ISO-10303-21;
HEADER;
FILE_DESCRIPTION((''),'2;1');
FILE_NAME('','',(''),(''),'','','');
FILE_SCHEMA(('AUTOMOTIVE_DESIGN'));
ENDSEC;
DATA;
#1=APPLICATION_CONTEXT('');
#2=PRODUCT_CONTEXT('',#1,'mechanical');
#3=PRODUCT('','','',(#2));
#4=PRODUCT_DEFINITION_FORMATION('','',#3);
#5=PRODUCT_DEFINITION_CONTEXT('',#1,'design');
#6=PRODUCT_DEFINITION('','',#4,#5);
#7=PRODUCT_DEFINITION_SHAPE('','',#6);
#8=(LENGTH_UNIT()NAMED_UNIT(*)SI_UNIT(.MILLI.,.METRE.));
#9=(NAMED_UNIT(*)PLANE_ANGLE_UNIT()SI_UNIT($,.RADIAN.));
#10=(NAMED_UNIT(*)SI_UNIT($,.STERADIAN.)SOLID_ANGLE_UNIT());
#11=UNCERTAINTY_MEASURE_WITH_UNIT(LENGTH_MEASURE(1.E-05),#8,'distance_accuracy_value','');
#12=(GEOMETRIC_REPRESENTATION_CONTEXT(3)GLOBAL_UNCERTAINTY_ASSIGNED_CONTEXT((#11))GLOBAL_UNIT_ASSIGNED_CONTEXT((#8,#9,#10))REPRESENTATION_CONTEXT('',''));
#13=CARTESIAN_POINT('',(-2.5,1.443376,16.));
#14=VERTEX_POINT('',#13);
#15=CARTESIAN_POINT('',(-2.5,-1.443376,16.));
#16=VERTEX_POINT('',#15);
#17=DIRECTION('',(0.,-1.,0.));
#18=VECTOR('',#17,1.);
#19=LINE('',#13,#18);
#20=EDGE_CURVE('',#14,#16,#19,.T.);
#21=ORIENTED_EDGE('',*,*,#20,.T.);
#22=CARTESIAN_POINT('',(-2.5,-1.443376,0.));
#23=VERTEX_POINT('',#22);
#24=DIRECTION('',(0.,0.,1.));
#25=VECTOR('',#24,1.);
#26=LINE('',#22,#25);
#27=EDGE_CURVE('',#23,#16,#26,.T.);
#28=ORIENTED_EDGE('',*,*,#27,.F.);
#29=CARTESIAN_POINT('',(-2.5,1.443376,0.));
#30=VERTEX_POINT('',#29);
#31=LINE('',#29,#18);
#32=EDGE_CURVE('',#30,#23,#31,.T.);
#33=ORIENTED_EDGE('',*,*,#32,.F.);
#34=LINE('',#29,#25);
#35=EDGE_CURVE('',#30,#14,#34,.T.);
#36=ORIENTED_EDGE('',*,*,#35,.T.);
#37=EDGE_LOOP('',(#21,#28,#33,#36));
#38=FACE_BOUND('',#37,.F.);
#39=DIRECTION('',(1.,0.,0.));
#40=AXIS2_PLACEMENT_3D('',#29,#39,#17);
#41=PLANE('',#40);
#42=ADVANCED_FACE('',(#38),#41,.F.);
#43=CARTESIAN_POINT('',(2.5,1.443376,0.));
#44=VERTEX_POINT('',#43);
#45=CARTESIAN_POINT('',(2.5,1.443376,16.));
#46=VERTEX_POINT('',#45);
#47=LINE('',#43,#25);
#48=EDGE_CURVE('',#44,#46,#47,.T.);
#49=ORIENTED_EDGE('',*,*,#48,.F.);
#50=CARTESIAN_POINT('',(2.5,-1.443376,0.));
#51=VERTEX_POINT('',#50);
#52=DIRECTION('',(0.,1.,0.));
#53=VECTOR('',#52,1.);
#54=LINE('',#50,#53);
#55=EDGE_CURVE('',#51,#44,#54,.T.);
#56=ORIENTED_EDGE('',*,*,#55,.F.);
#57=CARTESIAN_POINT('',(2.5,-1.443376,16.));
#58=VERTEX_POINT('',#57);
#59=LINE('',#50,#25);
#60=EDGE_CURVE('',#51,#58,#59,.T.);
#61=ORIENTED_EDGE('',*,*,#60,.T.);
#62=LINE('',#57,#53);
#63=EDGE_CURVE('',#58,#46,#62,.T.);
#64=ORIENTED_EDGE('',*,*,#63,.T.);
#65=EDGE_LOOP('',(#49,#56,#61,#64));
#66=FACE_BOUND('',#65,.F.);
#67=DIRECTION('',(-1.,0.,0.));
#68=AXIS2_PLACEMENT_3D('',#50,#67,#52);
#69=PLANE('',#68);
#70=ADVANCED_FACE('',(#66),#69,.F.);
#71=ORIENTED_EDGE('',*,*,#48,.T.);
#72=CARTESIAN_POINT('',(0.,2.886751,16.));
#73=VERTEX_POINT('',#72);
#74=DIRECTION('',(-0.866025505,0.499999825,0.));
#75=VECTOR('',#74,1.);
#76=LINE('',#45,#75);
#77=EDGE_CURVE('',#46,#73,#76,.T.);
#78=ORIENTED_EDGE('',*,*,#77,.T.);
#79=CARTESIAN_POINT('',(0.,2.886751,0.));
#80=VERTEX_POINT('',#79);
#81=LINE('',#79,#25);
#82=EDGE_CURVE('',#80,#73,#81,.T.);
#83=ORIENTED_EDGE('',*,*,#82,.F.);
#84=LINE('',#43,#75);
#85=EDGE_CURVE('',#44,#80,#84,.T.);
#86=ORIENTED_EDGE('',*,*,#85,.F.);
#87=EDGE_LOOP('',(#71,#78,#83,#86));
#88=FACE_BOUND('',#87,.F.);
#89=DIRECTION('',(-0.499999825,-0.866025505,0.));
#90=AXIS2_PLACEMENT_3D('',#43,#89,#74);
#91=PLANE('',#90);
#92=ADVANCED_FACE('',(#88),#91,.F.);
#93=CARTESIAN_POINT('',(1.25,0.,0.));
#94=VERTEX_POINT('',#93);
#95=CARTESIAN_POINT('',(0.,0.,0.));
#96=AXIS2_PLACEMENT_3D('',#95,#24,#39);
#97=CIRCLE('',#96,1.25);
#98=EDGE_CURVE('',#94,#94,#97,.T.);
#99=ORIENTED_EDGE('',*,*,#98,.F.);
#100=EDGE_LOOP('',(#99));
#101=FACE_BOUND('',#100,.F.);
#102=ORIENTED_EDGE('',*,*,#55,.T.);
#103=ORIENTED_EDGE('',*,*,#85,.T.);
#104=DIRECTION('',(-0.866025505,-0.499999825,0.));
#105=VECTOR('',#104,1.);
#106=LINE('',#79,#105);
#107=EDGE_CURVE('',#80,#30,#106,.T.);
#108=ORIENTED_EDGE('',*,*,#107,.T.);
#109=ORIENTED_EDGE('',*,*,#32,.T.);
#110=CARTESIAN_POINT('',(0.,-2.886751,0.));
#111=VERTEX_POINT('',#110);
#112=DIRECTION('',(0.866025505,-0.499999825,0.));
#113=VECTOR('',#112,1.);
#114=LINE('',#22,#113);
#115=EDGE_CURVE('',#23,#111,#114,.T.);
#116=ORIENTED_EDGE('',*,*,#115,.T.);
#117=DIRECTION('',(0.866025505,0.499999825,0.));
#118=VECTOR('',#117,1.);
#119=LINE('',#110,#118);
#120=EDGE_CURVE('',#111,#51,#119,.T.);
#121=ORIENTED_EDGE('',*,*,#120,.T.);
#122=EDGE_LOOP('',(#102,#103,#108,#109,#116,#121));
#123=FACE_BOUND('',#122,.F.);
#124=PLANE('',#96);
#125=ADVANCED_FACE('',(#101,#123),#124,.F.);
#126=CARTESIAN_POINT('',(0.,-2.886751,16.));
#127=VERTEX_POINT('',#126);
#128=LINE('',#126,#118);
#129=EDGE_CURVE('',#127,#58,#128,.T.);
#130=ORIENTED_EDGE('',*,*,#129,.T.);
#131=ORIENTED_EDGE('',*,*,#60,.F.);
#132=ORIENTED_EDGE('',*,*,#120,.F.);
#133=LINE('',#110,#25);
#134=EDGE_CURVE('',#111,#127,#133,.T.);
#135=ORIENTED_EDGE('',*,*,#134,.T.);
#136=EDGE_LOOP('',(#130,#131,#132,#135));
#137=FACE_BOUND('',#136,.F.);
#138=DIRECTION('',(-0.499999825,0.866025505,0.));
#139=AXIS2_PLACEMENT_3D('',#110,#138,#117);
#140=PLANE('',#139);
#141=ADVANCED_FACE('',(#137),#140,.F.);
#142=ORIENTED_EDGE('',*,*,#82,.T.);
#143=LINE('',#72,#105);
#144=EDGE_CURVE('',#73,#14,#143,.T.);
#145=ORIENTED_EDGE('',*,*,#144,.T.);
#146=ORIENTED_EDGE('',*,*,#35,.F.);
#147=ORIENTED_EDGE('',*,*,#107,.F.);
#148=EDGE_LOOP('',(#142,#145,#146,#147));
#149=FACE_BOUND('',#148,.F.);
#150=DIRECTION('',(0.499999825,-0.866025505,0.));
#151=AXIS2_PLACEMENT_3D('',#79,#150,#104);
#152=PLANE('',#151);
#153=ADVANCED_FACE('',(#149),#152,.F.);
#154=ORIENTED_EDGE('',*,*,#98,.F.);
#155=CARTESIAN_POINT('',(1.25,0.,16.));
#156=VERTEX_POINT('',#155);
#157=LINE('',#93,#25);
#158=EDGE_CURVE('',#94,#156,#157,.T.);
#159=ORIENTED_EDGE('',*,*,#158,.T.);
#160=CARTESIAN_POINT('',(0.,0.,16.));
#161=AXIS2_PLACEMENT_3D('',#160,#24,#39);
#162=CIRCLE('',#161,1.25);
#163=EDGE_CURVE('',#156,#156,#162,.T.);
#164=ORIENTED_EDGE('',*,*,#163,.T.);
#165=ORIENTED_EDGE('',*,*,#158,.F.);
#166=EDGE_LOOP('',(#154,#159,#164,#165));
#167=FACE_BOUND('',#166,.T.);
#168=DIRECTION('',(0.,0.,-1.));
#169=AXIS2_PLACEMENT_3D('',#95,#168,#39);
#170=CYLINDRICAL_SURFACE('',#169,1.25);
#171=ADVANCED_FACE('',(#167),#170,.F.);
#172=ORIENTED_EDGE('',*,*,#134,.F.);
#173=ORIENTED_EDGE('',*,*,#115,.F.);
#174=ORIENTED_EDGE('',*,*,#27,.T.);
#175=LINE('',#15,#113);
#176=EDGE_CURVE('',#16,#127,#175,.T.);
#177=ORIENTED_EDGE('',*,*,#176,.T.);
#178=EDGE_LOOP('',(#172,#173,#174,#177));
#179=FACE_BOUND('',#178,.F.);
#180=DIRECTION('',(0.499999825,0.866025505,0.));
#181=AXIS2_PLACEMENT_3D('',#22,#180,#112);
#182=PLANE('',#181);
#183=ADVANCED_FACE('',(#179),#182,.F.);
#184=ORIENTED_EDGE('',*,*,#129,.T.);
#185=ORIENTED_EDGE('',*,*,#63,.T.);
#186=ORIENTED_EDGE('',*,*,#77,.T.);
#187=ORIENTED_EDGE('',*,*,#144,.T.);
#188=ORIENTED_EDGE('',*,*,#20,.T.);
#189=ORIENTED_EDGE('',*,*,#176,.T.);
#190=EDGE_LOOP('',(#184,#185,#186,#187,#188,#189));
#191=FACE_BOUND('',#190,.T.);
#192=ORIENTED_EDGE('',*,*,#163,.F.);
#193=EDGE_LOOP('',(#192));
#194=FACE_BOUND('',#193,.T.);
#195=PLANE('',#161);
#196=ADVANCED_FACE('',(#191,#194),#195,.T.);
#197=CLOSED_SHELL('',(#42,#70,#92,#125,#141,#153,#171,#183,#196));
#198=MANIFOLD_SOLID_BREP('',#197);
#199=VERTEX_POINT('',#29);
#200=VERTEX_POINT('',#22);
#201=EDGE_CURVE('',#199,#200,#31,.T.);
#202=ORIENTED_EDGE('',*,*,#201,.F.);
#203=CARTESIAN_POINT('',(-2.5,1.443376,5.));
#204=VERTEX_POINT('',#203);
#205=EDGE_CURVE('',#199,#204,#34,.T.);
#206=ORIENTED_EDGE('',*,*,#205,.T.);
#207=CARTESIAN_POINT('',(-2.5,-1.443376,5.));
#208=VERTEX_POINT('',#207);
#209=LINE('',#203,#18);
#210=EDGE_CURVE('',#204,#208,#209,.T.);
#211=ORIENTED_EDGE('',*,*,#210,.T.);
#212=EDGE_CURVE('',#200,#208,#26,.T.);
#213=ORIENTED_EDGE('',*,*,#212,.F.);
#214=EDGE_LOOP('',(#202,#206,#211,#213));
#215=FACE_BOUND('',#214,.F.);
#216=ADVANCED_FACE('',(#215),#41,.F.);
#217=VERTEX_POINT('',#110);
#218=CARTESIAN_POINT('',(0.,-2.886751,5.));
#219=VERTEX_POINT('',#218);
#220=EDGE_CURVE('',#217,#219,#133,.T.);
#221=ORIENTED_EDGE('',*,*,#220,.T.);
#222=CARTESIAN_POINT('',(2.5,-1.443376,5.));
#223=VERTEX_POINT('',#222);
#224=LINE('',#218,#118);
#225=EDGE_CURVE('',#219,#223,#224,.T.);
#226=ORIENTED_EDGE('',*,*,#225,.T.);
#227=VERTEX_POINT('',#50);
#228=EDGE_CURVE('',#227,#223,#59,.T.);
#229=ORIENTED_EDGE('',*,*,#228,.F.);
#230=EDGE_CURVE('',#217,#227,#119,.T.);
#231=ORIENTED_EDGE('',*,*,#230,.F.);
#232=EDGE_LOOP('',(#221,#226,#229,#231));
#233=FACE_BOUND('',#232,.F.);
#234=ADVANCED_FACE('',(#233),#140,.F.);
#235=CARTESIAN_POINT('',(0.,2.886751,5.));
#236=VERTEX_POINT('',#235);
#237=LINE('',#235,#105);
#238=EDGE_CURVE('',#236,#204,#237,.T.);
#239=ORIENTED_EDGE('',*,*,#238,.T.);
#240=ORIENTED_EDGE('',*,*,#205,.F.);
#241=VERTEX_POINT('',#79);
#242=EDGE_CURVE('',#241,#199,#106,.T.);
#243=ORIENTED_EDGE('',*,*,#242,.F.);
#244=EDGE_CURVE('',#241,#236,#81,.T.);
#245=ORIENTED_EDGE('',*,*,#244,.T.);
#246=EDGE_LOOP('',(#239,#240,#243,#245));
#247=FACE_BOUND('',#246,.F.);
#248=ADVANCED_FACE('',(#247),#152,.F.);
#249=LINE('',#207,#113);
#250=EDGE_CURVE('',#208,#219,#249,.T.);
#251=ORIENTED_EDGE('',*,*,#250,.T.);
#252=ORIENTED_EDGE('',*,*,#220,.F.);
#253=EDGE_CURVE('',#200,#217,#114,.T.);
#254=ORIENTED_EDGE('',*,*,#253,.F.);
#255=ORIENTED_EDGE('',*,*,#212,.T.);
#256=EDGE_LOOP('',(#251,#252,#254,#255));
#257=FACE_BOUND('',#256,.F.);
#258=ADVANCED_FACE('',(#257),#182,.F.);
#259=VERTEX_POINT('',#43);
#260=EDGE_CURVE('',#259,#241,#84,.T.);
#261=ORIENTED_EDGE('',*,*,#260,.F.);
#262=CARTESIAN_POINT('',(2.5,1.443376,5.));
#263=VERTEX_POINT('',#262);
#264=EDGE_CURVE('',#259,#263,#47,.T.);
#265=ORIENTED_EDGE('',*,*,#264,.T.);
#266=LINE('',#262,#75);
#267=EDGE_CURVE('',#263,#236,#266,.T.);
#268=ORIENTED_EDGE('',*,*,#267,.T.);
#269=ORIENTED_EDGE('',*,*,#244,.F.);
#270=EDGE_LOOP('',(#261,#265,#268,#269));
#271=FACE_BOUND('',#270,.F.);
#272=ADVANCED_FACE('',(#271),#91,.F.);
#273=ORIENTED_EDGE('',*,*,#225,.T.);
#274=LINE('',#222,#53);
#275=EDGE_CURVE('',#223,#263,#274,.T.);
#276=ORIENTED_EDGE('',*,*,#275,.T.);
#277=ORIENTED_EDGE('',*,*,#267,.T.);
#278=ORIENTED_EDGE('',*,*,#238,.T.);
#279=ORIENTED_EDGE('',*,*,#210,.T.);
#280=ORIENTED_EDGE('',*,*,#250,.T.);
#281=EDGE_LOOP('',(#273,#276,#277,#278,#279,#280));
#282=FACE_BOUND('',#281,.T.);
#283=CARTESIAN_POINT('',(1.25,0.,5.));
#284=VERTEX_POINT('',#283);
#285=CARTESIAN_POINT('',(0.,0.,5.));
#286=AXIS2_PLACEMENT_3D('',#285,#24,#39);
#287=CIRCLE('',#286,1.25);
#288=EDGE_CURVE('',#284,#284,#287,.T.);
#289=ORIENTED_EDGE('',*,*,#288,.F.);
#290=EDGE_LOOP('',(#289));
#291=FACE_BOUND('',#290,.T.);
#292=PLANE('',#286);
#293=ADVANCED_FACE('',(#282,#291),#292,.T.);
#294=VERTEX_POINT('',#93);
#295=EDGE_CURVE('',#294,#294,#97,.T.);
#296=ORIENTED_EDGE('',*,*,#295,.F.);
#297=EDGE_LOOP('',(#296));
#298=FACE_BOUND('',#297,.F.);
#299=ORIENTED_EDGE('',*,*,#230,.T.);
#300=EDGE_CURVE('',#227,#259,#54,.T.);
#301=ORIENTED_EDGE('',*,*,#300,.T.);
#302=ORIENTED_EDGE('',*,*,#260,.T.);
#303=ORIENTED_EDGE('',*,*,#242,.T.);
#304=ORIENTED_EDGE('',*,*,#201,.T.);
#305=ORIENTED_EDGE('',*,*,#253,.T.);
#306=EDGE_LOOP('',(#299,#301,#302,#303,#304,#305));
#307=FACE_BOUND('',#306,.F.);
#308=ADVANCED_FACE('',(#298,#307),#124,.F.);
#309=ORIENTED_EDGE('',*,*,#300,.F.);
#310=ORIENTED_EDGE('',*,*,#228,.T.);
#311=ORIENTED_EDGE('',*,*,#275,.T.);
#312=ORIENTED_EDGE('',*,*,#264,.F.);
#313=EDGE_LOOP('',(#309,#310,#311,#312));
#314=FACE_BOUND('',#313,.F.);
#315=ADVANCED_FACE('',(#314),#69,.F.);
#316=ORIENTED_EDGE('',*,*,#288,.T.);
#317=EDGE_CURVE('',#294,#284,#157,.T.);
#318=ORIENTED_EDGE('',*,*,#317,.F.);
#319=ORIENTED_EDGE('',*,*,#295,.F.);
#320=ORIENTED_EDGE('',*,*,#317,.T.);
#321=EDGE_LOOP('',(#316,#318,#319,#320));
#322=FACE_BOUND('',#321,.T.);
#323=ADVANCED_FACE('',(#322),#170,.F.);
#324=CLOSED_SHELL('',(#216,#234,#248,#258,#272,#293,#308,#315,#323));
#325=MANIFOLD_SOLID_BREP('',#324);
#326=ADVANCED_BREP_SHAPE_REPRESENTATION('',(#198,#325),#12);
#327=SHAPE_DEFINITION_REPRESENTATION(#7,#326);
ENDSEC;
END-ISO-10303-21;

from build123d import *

# Parameters (mm, degrees)
F0_R     = 1.25
F1_DEPTH = 5
F2_DEPTH = 16


with BuildPart() as f1:
    # F0 (on Top) → F1 (new body)
    with BuildSketch(Plane.XY):
        Polygon((-2.5, 1.443376), (-2.5, -1.443376), (0, -2.886751), (2.5, -1.443376), (2.5, 1.443376), (0, 2.886751), align=None)
        Circle(F0_R, mode=Mode.SUBTRACT)
    extrude(amount=F1_DEPTH)


with BuildPart() as f2:
    # F0 (on Top) → F2 (new body)
    with BuildSketch(Plane.XY):
        Polygon((-2.5, 1.443376), (-2.5, -1.443376), (0, -2.886751), (2.5, -1.443376), (2.5, 1.443376), (0, 2.886751), align=None)
        Circle(F0_R, mode=Mode.SUBTRACT)
    extrude(amount=F2_DEPTH)


solid = Compound([f1.part, f2.part])
